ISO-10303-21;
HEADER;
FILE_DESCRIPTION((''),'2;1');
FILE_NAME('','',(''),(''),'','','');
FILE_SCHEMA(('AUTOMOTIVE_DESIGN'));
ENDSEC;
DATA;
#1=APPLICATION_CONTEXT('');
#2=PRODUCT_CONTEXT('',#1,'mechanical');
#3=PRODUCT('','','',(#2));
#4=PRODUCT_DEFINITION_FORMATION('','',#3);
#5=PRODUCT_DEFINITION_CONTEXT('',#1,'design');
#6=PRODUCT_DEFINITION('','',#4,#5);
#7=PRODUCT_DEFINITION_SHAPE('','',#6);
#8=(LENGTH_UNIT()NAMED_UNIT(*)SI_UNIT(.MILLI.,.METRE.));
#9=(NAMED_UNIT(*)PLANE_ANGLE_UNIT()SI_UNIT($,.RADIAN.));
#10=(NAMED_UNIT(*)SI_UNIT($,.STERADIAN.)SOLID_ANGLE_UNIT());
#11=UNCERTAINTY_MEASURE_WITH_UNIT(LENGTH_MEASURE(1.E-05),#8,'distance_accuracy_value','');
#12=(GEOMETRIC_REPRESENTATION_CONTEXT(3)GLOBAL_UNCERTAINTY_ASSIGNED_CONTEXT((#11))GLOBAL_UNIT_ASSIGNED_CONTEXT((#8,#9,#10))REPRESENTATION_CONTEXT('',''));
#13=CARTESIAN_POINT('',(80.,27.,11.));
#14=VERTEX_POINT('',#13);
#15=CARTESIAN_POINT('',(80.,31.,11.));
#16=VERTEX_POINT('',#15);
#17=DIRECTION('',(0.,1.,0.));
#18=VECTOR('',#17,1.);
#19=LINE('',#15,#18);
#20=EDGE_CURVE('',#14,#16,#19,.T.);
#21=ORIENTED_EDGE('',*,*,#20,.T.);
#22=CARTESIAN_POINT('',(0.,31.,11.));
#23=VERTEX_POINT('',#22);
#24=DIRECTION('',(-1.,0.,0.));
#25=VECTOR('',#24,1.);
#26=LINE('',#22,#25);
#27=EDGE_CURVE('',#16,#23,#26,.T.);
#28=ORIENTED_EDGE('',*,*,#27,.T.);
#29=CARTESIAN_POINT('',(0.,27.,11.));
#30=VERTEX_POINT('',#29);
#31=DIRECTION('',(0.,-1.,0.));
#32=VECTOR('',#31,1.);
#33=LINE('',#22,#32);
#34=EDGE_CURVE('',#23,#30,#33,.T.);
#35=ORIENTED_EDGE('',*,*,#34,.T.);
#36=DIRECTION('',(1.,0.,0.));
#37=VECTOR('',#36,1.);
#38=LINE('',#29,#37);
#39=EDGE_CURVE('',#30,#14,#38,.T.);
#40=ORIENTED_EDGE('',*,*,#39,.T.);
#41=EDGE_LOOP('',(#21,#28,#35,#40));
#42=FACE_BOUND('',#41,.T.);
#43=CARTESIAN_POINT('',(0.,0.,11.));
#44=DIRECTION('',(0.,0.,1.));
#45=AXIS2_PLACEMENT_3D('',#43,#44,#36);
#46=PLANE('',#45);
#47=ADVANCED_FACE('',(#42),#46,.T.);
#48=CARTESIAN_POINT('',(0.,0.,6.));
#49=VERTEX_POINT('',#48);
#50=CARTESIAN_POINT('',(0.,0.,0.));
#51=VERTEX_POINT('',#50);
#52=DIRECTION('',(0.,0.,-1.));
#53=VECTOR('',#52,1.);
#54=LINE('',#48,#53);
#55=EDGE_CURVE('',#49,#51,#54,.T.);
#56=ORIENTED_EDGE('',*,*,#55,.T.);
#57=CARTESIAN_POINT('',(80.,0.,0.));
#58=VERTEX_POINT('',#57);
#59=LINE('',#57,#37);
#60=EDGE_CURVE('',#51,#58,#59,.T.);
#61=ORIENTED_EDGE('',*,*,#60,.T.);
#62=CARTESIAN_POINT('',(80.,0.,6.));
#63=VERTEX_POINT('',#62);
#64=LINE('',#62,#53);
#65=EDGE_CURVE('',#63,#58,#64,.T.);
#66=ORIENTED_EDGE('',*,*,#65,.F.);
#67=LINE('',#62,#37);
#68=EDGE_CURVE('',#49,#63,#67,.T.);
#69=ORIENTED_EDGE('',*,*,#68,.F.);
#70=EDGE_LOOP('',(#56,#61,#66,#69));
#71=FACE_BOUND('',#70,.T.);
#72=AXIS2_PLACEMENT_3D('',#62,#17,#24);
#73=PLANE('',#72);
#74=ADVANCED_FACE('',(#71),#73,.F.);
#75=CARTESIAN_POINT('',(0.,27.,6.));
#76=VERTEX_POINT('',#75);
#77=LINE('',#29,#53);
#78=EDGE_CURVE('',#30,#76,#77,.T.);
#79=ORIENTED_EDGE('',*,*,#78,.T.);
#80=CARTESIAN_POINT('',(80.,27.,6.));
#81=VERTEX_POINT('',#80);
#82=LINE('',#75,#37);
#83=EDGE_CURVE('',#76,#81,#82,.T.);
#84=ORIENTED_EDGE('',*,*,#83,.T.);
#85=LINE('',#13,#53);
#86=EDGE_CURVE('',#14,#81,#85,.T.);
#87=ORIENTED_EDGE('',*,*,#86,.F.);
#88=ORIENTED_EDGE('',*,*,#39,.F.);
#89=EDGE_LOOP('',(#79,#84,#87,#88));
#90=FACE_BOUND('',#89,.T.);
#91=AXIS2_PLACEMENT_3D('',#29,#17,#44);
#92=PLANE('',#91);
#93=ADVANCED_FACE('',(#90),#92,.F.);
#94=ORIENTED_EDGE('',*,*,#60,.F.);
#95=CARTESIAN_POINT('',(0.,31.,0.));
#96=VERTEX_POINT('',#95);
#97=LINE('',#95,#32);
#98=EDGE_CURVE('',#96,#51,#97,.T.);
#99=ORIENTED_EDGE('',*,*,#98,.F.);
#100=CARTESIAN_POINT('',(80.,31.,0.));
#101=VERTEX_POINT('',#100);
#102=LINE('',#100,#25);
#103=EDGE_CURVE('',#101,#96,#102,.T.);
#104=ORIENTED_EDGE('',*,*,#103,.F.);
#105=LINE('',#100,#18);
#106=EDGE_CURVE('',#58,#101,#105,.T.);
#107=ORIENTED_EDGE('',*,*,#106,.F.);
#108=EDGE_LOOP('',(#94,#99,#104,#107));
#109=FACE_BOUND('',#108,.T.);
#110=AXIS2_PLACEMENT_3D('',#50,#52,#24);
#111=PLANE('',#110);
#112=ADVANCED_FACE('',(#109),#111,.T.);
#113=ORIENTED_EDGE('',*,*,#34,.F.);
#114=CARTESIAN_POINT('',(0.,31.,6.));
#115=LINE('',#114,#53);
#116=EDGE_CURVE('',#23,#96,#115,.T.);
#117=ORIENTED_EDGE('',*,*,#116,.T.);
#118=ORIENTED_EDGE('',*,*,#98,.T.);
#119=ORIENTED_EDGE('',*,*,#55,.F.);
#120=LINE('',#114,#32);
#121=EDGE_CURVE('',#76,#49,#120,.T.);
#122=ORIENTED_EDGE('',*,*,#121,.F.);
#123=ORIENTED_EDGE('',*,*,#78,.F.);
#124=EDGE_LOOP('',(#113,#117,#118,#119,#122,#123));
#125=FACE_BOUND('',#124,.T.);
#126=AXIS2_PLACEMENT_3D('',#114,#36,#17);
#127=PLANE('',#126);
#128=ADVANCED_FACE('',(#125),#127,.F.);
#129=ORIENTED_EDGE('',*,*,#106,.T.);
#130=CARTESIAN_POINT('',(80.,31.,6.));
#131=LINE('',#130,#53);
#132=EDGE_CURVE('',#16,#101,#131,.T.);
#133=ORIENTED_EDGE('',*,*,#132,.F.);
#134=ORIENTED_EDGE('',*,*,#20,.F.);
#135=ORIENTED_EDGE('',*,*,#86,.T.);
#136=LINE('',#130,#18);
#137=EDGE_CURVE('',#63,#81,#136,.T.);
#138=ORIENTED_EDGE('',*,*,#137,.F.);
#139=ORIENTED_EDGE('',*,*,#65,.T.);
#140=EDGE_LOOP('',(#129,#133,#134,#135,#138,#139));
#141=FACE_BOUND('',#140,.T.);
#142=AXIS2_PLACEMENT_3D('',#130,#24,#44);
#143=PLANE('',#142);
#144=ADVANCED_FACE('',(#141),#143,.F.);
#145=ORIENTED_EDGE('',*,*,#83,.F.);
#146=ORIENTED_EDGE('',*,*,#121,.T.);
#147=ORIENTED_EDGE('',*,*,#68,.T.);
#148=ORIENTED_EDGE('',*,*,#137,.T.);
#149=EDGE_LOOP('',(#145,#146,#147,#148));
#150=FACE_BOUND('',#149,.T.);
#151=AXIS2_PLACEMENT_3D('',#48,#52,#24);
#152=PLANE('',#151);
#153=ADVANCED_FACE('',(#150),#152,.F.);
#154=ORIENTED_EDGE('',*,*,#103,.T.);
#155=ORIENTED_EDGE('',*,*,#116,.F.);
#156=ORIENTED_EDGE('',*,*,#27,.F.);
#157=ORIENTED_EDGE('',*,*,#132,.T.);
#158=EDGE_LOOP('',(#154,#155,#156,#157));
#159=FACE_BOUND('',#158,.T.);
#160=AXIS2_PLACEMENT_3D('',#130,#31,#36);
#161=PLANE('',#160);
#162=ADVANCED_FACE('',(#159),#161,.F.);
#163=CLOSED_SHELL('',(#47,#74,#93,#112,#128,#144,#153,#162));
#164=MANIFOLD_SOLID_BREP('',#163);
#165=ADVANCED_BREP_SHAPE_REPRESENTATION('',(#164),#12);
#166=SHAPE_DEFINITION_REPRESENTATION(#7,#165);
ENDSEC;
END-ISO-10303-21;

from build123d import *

# Parameters (mm, degrees)
CROQUIS1_W              = 80
CROQUIS1_H              = 31
SALIENTE_EXTRUIR1_DEPTH = 6
CROQUIS2_W              = 80
CROQUIS2_H              = 4
SALIENTE_EXTRUIR2_DEPTH = 5


with BuildPart() as part:
    # Croquis1 → Saliente-Extruir1 (new body)
    with BuildSketch(Plane.XY):
        with Locations((40, 15.5)):
            Rectangle(CROQUIS1_W, CROQUIS1_H)
    extrude(amount=SALIENTE_EXTRUIR1_DEPTH)

    # Croquis2 → Saliente-Extruir2 (add)
    with BuildSketch(Plane.XY.offset(6)):
        with Locations((40, 29)):
            Rectangle(CROQUIS2_W, CROQUIS2_H)
    extrude(amount=SALIENTE_EXTRUIR2_DEPTH)


solid = part.part
